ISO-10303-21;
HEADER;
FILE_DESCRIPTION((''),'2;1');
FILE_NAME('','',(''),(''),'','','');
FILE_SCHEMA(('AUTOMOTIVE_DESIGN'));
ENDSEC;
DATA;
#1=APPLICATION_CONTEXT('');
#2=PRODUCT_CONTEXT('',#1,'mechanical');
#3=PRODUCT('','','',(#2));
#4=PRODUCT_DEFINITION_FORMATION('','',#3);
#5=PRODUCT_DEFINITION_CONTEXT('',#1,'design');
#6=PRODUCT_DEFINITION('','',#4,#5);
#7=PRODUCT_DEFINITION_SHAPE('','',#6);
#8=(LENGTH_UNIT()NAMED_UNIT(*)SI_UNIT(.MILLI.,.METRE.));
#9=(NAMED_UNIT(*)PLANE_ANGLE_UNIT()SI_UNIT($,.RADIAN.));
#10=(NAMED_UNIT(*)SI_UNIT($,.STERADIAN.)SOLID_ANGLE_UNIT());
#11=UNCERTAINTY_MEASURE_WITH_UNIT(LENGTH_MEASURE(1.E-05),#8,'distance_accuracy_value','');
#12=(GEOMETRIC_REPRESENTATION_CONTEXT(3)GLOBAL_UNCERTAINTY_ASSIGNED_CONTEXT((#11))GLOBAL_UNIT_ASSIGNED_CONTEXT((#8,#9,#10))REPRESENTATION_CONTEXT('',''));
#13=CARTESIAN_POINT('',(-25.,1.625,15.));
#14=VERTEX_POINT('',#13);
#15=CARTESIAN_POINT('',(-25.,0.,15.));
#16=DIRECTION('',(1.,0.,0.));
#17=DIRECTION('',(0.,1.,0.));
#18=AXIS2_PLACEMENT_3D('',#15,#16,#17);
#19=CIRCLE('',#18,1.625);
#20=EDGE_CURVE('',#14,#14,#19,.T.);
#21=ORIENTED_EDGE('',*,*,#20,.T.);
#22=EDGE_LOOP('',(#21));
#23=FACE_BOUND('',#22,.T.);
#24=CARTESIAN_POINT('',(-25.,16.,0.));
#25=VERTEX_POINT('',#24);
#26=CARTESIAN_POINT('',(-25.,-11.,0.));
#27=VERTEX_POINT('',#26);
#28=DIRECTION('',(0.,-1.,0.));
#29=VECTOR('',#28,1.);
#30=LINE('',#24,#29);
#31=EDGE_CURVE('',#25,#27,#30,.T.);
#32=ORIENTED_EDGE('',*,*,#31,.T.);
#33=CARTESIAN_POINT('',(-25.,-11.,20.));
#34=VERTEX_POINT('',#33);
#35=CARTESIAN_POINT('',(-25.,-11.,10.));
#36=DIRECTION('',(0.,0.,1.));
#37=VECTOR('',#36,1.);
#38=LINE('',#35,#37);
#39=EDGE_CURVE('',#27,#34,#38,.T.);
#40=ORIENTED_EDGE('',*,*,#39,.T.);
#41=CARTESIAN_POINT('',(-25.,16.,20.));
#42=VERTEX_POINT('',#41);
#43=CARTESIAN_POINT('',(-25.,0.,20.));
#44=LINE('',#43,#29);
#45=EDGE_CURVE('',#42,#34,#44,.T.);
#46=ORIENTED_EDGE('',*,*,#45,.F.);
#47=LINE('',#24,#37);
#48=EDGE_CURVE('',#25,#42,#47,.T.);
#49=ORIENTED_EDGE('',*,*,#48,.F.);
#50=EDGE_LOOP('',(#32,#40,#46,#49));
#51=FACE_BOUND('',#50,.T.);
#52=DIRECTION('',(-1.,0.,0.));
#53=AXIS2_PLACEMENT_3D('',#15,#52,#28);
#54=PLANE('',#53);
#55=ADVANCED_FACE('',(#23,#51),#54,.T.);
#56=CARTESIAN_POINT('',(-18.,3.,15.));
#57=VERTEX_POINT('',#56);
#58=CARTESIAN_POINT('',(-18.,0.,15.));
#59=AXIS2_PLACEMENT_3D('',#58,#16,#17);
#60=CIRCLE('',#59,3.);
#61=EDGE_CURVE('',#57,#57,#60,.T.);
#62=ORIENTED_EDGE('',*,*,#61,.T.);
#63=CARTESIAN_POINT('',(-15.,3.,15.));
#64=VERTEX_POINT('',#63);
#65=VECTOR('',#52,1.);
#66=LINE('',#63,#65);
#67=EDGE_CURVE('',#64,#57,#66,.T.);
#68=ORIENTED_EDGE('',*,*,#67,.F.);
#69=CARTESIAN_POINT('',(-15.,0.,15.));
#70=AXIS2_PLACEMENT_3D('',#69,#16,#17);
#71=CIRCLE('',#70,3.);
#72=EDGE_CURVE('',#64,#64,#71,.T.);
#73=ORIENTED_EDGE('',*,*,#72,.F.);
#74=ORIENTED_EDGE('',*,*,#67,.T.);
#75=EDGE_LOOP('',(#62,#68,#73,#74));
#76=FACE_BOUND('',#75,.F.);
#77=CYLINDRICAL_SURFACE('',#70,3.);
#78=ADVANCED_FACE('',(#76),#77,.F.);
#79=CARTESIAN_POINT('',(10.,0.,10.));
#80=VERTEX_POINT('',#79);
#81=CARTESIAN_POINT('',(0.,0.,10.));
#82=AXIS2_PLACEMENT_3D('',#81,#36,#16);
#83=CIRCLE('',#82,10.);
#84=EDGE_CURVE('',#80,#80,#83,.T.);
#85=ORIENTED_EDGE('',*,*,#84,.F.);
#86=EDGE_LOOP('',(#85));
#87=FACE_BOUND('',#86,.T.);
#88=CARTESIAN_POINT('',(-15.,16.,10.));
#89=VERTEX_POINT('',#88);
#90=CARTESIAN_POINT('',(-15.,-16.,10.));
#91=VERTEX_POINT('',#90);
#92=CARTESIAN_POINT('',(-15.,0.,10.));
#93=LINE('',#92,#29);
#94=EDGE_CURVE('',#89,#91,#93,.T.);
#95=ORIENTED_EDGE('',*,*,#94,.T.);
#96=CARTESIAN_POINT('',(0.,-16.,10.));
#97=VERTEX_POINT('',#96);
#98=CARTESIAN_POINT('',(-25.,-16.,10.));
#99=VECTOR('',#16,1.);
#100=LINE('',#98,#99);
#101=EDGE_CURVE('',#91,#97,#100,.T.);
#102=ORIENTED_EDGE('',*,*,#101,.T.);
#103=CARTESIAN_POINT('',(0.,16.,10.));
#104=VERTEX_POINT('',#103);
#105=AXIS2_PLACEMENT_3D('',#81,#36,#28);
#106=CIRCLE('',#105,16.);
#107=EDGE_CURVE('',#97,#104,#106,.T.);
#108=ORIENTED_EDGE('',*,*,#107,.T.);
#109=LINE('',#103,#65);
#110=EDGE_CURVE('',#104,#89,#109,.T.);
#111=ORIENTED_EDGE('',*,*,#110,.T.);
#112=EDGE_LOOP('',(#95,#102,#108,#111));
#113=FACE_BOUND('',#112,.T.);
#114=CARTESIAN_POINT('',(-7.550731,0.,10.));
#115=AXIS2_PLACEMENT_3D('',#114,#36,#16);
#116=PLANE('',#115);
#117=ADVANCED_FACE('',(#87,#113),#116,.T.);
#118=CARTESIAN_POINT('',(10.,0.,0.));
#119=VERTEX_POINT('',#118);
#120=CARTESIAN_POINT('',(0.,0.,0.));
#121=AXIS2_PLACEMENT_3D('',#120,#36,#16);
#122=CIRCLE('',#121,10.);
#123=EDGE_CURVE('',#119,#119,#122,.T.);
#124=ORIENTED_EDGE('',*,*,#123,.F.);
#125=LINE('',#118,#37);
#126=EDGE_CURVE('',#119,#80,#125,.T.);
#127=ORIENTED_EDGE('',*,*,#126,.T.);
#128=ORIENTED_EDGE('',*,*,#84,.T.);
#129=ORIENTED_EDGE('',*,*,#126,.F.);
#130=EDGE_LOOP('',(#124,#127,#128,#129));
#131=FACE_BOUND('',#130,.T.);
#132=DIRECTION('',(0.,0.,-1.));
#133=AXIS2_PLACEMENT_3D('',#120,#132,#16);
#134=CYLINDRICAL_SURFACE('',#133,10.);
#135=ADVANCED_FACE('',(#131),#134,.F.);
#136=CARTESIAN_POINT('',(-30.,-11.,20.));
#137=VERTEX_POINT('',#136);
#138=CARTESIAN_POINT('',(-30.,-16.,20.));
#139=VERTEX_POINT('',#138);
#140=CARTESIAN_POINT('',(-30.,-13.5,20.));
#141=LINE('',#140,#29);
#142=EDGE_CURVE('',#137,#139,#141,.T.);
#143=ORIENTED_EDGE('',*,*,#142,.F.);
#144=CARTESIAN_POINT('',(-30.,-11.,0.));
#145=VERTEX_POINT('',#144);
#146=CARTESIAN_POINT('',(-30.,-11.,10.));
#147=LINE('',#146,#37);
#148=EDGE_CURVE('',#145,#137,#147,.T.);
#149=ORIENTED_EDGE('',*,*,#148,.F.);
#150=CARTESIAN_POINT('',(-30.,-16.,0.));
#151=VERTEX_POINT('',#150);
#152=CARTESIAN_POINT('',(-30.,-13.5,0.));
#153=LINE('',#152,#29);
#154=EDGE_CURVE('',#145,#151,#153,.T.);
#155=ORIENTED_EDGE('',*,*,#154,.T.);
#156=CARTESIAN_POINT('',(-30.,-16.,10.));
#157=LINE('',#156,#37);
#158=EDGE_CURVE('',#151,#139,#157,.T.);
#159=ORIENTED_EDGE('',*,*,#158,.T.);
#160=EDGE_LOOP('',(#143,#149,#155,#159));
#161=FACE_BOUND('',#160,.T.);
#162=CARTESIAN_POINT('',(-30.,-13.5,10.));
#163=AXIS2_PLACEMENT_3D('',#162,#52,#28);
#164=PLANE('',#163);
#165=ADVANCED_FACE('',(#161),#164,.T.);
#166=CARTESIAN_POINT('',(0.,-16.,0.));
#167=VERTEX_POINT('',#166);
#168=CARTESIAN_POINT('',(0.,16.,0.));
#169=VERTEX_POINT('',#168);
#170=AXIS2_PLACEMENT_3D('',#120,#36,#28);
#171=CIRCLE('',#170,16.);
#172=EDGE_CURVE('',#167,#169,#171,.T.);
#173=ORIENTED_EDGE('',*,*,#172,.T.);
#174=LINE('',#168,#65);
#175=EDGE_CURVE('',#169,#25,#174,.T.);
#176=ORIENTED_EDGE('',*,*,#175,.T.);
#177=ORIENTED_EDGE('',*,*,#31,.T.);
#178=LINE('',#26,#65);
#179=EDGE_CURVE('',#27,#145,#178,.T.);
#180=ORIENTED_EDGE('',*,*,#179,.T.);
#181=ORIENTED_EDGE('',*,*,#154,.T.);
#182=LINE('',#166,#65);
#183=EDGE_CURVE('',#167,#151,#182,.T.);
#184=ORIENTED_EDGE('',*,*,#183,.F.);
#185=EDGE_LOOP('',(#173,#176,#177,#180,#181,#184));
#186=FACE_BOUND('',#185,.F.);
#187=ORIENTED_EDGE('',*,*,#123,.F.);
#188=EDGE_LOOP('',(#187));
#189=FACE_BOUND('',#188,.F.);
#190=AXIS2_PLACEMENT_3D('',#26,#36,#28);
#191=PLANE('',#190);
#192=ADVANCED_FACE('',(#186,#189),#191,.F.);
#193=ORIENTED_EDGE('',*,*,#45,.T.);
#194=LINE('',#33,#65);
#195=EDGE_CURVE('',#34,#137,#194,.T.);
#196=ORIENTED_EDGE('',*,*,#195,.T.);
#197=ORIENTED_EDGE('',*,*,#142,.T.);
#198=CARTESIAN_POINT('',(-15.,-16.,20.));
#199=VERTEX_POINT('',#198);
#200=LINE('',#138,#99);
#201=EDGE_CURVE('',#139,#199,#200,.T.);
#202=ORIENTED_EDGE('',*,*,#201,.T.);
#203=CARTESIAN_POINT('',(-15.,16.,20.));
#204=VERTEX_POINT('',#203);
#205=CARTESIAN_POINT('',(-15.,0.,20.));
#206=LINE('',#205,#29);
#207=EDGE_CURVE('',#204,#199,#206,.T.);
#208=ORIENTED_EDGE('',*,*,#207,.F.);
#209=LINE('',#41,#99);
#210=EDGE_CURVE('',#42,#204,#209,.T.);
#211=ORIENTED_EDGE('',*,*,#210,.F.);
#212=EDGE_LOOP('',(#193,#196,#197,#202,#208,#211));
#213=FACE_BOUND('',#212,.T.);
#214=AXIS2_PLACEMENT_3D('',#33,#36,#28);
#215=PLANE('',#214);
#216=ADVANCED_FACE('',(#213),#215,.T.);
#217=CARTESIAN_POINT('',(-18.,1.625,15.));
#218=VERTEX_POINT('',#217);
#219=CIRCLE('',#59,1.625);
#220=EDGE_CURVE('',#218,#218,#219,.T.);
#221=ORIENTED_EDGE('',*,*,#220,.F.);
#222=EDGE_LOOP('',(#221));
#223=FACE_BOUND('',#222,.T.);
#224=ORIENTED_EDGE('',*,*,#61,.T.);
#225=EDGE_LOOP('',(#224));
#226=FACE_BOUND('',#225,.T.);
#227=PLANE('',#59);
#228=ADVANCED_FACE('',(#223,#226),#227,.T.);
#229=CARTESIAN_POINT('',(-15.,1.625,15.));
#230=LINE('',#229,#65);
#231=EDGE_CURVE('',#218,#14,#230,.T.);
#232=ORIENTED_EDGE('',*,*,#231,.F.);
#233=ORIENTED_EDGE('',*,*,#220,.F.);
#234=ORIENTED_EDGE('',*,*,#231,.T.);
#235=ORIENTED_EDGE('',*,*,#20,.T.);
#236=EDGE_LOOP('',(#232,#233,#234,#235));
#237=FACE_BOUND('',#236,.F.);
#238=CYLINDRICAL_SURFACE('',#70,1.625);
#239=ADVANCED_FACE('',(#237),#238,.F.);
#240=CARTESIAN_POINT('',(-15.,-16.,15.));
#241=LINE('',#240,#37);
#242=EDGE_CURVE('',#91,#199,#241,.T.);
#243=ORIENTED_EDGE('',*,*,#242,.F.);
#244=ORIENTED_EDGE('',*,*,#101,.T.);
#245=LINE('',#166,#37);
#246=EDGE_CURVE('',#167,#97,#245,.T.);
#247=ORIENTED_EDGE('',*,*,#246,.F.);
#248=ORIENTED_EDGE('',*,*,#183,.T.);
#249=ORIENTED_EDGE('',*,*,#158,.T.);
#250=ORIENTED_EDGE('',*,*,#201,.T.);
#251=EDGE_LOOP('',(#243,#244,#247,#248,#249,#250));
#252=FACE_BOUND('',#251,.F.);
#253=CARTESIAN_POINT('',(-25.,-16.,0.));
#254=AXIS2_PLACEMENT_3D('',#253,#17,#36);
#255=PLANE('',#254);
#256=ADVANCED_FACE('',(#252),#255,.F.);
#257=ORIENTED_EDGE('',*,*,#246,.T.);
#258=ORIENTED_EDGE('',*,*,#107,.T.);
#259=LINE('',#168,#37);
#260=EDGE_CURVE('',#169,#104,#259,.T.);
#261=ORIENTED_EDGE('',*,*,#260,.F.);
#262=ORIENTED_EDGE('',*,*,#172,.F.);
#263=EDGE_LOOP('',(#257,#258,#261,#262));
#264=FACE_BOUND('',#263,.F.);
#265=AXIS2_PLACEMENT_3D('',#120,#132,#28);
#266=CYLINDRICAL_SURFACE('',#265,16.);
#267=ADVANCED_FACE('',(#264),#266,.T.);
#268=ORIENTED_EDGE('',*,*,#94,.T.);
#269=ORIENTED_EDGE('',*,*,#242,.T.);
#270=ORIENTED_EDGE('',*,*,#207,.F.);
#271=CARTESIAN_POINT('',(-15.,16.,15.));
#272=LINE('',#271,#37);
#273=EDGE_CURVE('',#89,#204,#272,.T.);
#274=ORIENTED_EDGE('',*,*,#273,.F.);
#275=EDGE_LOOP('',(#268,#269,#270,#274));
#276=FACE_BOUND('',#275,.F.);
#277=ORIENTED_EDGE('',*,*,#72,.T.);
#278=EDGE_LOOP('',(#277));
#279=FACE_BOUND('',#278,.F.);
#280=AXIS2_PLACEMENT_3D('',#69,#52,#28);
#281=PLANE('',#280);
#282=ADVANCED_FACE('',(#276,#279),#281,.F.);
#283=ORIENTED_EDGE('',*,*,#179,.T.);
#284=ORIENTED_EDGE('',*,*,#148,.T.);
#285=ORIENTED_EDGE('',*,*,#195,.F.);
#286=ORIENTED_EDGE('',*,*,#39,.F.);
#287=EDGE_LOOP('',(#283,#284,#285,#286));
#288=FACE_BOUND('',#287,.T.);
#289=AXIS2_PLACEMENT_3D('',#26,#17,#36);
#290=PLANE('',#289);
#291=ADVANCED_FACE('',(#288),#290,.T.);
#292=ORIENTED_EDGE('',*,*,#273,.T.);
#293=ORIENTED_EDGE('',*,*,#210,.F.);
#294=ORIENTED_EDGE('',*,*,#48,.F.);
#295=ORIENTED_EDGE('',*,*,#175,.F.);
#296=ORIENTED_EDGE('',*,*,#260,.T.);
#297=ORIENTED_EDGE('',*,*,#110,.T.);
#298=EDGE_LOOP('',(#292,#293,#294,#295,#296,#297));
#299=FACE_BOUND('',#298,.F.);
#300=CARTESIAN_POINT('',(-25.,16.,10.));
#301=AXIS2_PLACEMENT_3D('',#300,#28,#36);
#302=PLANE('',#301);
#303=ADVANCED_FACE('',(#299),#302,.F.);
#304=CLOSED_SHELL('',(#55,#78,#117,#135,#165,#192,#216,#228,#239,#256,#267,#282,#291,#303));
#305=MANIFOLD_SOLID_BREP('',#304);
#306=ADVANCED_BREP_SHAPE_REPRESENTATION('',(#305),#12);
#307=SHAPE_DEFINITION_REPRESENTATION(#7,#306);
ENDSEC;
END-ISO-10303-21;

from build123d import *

# Parameters (mm, degrees)
F0_R     = 10
F1_DEPTH = 10
F2_W     = 32
F2_H     = 10
F3_DEPTH = 10
F4_R     = 1.625
F5_DEPTH = 25
F6_R     = 3
F7_DEPTH = 3
F8_W     = 5
F8_H     = 20
F9_DEPTH = 5


with BuildPart() as f1:
    # F0 (on Top) → F1 (new body)
    with BuildSketch(Plane.XY):
        with BuildLine():
            Line((-25, -16), (0, -16))
            ThreePointArc((0, -16), (16, 0), (0, 16))
            Line((0, 16), (-25, 16))
            Line((-25, 16), (-25, -16))
        make_face()
        Circle(F0_R, mode=Mode.SUBTRACT)
    extrude(amount=F1_DEPTH)

    # F2 (on face) → F3 (join)
    with BuildSketch(Plane(origin=(-25, 0, 0), x_dir=(0, -1, 0), z_dir=(-1, 0, 0))):
        with Locations((0, 15)):
            Rectangle(F2_W, F2_H)
    extrude(amount=-F3_DEPTH)

    # F4 (on face) → F5 (cut)
    with BuildSketch(Plane.YZ.offset(-15)):
        with Locations((0, 15)):
            Circle(F4_R)
    extrude(amount=-F5_DEPTH, mode=Mode.SUBTRACT)

    # F6 (on face) → F7 (cut)
    with BuildSketch(Plane.YZ.offset(-15)):
        with Locations((0, 15)):
            Circle(F6_R)
    extrude(amount=-F7_DEPTH, mode=Mode.SUBTRACT)

    # F8 (on face) → F9 (join)
    with BuildSketch(Plane(origin=(-25, 0, 0), x_dir=(0, -1, 0), z_dir=(-1, 0, 0))):
        with Locations((13.5, 10)):
            Rectangle(F8_W, F8_H)
    extrude(amount=F9_DEPTH)


solid = f1.part
